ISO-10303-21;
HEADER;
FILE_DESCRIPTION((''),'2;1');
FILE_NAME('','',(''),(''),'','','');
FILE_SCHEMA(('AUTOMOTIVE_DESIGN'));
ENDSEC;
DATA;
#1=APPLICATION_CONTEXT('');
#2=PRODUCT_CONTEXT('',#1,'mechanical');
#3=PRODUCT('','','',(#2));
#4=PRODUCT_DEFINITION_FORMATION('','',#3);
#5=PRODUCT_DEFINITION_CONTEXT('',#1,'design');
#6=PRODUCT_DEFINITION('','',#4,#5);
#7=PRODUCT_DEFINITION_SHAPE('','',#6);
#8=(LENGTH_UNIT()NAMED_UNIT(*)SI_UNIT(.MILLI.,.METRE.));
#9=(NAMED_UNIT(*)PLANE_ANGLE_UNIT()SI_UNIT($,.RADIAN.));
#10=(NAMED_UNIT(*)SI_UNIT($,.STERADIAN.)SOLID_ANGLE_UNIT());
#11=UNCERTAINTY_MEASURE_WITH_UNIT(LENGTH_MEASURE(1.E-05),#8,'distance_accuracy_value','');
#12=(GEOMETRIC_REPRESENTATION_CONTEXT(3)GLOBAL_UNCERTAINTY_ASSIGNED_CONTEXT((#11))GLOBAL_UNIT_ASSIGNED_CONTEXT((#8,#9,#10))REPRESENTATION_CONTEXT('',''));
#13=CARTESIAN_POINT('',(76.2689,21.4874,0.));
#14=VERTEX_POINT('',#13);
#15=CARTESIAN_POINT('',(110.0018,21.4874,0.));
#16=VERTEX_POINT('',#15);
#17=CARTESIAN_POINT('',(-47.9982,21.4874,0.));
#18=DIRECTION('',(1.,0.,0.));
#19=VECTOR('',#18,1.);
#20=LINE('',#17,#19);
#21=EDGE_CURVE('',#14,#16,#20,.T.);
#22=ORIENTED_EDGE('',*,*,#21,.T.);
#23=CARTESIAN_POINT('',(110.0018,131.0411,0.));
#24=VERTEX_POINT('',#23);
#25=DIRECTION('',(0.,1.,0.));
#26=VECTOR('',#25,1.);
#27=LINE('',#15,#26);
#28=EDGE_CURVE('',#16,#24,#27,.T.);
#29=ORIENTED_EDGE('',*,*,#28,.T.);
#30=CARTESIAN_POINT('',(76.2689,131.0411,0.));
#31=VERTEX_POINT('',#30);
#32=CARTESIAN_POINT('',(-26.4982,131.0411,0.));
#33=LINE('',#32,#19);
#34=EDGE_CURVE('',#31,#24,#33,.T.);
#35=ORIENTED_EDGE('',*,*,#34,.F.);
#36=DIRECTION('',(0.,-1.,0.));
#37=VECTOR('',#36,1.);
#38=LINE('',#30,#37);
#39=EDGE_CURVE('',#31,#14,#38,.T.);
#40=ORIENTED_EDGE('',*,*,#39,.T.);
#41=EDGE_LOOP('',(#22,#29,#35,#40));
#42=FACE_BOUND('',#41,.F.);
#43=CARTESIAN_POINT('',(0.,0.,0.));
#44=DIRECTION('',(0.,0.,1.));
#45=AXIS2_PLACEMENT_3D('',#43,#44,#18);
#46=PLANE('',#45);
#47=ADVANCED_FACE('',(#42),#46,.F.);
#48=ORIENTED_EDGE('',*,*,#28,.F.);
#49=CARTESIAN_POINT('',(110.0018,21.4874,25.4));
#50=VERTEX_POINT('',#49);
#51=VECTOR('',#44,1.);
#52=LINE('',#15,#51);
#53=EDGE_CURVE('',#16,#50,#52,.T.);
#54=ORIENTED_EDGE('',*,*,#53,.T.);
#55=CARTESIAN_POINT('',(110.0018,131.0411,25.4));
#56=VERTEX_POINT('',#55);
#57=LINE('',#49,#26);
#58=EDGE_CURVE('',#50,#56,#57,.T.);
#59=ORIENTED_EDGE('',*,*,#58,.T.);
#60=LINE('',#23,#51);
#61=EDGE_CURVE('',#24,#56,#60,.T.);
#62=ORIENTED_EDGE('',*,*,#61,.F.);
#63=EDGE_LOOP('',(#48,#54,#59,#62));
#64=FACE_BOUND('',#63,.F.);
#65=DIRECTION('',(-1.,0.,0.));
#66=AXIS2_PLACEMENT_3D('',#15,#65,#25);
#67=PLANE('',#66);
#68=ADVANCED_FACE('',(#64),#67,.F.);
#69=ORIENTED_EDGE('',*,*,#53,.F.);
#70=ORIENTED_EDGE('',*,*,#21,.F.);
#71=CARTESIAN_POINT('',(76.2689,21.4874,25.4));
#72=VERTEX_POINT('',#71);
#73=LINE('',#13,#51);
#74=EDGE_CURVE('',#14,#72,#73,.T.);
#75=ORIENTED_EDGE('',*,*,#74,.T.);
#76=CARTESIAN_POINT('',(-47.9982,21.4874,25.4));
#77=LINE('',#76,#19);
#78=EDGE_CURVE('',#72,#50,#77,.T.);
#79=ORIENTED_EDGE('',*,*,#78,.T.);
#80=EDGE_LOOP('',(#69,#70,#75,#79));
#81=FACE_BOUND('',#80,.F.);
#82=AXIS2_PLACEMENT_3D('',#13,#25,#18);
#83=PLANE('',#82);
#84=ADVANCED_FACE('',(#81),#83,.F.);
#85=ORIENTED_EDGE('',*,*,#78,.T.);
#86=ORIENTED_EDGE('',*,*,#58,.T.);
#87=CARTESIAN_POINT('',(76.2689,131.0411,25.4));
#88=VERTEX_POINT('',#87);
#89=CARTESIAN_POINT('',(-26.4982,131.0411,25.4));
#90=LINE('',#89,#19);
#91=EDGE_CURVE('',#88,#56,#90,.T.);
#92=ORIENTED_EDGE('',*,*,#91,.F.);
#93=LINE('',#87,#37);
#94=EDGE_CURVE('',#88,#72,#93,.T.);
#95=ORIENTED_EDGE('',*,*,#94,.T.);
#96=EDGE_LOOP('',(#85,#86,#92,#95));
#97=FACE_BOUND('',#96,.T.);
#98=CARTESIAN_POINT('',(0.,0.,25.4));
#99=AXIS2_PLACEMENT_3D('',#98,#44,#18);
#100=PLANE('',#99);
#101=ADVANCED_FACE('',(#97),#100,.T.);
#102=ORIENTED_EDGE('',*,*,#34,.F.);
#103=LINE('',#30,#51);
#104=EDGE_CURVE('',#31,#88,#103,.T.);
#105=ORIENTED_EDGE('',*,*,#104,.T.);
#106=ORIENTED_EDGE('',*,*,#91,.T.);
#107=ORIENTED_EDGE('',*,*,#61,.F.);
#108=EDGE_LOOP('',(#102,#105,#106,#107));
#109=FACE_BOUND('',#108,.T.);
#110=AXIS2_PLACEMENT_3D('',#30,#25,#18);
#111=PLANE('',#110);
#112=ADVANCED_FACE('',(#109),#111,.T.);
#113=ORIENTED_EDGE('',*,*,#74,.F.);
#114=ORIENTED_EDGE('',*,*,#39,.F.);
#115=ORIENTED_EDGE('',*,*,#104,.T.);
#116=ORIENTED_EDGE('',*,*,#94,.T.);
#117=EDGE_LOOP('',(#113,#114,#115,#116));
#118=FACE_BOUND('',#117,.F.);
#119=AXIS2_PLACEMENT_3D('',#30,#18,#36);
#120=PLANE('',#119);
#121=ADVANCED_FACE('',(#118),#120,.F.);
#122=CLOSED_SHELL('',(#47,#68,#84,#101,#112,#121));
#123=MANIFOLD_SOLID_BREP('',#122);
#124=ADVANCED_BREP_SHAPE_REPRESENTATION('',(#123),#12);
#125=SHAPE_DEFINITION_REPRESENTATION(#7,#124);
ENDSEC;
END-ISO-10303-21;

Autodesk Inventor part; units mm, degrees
ref_plane "YZ Plane" through (0, 0, 0) normal (1, 0, 0) x (0, 1, 0)
ref_plane "XZ Plane" through (0, 0, 0) normal (0, 1, 0) x (-1, 0, 0)
ref_plane "XY Plane" through (0, 0, 0) normal (0, 0, 1) x (1, 0, 0)
sketch "Sketch1" plane through (0, 0, 0) normal (0, 0, 1) x (1, 0, 0)
  line L0 (-47.9982, 21.4874) -> (268.0018, 21.4874) projected
  line L1 (-26.4982, 131.0411) -> (246.5018, 131.0411) projected
  line L2 (110.0018, 131.0411) -> (76.2689, 131.0411)
  line L3 (76.2689, 131.0411) -> (76.2689, 21.4874)
  line L4 (76.2689, 21.4874) -> (110.0018, 21.4874)
  line L5 (110.0018, 21.4874) -> (110.0018, 131.0411)
  point P0 (0, 0)
extrude "Extrusion1" add sketch "Sketch1" along normal blind 25.4
properties part number "test string"
